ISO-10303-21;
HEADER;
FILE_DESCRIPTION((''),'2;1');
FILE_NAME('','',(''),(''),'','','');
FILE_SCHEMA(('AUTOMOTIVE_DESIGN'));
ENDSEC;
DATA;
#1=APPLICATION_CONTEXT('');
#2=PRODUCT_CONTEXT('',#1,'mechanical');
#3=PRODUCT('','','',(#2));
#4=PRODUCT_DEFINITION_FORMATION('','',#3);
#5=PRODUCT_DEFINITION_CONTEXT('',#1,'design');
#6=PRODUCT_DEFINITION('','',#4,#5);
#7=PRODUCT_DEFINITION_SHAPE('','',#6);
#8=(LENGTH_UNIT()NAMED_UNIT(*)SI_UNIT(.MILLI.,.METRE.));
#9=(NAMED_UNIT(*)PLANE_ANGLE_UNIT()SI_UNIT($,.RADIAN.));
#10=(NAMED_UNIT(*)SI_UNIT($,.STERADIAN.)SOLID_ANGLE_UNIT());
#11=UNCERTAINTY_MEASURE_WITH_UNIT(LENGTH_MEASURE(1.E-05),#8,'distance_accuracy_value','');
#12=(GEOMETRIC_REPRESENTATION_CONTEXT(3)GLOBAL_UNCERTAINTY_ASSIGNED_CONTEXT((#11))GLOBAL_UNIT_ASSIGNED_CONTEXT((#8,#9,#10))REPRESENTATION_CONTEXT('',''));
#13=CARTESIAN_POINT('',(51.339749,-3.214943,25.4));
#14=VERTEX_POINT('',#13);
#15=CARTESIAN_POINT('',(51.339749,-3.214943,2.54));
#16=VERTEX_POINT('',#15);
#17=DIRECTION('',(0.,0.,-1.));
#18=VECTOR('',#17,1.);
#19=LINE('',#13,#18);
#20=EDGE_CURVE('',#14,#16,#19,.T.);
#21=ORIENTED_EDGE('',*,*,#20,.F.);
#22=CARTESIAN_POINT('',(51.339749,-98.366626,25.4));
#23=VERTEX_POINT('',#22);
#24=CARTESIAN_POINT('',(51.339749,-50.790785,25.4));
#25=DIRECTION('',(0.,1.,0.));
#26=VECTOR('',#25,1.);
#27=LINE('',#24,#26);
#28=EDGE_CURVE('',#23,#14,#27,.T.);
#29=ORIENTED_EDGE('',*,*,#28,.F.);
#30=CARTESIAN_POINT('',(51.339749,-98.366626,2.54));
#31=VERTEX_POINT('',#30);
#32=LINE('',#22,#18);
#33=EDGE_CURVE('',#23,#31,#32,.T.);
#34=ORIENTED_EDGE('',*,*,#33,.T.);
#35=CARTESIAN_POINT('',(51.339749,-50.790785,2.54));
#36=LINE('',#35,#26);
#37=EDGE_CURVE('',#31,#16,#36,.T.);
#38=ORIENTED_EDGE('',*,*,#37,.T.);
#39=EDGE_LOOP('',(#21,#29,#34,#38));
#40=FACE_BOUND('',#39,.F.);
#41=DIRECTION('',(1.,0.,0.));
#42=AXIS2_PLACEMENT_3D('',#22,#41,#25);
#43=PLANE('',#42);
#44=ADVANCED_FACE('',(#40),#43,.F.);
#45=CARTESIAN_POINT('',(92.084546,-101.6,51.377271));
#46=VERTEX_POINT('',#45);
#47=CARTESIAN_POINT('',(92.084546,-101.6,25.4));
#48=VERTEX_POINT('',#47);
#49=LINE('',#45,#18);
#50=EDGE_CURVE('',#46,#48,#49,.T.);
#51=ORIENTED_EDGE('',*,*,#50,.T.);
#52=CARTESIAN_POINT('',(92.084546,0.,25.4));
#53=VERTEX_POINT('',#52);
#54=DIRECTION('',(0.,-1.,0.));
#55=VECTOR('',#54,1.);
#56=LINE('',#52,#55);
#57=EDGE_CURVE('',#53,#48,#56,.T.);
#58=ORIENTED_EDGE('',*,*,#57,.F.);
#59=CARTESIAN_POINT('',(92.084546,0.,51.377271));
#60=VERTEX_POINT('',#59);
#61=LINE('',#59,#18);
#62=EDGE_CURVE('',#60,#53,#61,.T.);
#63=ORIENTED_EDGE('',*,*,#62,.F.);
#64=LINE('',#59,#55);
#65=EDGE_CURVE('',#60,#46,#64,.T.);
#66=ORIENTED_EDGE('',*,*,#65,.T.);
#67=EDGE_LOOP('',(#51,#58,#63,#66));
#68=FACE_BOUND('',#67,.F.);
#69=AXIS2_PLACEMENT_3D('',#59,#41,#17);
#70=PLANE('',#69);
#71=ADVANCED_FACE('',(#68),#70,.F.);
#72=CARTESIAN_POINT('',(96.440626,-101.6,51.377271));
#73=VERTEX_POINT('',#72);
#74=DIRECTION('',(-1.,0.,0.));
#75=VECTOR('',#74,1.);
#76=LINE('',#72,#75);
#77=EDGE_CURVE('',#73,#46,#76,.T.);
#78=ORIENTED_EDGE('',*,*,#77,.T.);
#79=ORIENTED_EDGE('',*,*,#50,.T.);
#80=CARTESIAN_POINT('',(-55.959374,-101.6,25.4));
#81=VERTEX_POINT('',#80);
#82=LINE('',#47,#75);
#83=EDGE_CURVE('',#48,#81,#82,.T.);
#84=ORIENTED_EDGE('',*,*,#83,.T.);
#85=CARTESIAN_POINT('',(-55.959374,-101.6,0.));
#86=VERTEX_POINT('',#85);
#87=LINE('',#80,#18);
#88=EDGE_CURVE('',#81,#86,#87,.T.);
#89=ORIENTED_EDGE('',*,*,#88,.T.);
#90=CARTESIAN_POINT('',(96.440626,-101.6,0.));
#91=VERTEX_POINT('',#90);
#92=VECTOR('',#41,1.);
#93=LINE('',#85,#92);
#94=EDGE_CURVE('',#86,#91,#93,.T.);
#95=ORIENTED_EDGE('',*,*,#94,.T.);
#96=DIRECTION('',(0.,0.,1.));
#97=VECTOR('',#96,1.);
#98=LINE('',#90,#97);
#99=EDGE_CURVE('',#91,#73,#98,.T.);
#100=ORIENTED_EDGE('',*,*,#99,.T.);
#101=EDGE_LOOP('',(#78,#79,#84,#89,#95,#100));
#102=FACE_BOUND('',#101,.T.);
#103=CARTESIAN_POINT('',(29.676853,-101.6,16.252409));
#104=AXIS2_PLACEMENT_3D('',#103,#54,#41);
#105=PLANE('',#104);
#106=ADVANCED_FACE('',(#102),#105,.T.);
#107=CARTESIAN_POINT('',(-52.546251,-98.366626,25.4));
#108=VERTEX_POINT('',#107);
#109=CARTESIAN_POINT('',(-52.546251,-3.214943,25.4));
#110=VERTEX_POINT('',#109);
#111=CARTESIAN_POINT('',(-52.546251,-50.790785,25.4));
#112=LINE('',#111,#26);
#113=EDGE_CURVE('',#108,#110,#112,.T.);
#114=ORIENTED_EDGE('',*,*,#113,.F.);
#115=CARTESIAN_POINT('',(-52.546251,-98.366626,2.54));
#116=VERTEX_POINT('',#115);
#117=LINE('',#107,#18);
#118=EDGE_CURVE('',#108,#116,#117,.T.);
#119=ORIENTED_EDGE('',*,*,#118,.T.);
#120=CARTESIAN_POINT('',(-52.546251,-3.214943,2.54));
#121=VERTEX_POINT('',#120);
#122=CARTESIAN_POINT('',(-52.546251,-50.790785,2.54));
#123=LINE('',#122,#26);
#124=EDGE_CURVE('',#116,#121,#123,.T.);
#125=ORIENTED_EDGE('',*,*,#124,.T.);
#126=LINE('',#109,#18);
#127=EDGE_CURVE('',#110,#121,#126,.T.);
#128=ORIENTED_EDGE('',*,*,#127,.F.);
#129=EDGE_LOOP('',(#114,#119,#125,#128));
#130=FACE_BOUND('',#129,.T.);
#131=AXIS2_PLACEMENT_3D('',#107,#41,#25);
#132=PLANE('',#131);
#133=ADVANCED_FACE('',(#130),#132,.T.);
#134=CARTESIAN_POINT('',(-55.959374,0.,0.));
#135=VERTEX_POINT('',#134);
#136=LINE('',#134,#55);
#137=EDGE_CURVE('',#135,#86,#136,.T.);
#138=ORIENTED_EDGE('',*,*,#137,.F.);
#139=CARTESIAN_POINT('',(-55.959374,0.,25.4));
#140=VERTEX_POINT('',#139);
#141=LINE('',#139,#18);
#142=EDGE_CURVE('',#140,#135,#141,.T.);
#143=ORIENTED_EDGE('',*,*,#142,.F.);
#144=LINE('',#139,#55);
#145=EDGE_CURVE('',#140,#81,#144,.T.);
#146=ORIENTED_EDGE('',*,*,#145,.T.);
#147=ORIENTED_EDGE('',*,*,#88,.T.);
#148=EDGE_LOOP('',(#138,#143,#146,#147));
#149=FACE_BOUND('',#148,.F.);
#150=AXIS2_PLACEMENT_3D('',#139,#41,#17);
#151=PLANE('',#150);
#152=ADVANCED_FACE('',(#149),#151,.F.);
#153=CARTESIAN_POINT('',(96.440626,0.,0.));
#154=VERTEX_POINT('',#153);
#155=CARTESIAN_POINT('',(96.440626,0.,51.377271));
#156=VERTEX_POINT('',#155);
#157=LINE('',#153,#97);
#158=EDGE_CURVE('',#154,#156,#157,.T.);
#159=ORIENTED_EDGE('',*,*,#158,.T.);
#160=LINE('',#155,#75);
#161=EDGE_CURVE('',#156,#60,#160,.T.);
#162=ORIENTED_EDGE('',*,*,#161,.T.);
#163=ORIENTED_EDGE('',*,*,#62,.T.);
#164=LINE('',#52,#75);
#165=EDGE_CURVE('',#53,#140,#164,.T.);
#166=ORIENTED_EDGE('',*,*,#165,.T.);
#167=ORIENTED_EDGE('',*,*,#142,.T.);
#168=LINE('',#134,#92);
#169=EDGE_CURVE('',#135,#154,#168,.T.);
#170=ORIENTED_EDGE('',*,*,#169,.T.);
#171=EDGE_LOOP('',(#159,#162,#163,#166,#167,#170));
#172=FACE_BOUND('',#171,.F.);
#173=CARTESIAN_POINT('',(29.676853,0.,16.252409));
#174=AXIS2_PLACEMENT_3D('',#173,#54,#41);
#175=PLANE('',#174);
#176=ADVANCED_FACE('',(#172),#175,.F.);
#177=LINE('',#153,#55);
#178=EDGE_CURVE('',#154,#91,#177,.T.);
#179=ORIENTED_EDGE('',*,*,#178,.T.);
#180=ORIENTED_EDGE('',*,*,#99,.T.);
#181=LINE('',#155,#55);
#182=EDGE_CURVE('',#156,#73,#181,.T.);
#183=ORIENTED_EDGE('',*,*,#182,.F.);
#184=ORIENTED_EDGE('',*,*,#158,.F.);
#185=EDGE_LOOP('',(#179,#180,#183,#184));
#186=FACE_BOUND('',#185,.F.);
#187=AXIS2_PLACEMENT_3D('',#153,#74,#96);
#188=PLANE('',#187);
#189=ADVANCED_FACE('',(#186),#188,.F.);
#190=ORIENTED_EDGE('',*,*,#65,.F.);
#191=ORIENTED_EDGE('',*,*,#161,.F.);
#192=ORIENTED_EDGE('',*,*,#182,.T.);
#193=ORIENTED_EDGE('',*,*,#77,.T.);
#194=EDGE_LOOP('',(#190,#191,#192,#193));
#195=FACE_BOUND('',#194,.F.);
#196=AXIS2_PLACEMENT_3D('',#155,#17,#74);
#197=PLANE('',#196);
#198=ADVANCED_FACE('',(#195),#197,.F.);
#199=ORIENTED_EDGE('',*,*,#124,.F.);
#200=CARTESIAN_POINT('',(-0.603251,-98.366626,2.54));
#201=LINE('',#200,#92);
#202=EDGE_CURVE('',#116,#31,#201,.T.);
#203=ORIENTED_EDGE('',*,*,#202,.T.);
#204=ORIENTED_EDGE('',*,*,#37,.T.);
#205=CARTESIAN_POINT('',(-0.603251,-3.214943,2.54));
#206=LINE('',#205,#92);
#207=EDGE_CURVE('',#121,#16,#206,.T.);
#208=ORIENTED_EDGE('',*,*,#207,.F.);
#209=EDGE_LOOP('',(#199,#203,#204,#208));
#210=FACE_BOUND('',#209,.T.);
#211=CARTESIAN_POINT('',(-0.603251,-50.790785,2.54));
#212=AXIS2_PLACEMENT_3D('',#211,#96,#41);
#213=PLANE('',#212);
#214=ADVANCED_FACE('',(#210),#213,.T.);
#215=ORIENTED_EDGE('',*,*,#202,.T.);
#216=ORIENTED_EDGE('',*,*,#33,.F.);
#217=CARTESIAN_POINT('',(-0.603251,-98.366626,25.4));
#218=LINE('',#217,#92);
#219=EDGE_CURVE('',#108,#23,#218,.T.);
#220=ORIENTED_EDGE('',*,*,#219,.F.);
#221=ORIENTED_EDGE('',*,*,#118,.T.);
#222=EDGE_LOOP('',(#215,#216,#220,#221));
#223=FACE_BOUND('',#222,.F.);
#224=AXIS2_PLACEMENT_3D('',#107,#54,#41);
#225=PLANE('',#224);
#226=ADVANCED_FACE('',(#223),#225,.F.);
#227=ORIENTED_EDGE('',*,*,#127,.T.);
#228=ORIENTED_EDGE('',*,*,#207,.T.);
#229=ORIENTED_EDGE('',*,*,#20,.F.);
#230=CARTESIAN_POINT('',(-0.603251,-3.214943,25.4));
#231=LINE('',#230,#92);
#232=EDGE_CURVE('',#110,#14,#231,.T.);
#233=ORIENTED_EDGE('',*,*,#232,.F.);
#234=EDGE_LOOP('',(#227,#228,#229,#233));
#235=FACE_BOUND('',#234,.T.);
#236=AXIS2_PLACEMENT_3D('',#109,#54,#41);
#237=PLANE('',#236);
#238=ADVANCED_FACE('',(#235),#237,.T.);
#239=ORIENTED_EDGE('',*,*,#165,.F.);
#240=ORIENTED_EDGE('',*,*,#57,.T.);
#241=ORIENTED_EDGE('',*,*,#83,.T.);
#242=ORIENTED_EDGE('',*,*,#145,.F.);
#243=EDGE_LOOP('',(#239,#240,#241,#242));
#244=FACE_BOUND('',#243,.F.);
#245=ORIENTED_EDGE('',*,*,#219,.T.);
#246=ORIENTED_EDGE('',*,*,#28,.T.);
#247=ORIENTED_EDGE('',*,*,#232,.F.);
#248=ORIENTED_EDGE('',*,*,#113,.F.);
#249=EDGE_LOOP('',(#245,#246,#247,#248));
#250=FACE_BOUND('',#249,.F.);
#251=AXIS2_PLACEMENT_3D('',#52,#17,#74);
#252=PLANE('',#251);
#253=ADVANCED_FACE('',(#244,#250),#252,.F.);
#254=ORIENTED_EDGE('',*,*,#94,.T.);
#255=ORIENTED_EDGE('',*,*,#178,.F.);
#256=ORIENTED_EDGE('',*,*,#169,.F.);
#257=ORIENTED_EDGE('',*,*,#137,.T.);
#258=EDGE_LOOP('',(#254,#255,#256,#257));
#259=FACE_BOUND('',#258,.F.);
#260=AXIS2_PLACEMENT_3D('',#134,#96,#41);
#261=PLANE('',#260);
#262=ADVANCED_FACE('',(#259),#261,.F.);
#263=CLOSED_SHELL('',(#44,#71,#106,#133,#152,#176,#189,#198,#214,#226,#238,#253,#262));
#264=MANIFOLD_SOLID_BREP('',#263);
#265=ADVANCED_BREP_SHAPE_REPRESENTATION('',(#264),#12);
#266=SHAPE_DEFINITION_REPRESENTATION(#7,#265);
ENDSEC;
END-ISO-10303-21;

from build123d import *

# Parameters (mm, degrees)
F1_DEPTH = 101.6
F2_W     = 103.886
F2_H     = 95.151683
F3_DEPTH = 22.86


with BuildPart() as f1:
    # F0 (on Front) → F1 (new body)
    with BuildSketch(Plane.XZ):
        Polygon((-55.959374, 25.4), (-55.959374, 0), (96.440626, 0), (96.440626, 51.377271), (92.084546, 51.377271), (92.084546, 25.4), align=None)
    extrude(amount=F1_DEPTH)

    # F2 (on face) → F3 (cut)
    with BuildSketch(Plane.XY.offset(25.4)):
        with Locations((-0.603251, -50.790785)):
            Rectangle(F2_W, F2_H)
    extrude(amount=-F3_DEPTH, mode=Mode.SUBTRACT)


solid = f1.part
